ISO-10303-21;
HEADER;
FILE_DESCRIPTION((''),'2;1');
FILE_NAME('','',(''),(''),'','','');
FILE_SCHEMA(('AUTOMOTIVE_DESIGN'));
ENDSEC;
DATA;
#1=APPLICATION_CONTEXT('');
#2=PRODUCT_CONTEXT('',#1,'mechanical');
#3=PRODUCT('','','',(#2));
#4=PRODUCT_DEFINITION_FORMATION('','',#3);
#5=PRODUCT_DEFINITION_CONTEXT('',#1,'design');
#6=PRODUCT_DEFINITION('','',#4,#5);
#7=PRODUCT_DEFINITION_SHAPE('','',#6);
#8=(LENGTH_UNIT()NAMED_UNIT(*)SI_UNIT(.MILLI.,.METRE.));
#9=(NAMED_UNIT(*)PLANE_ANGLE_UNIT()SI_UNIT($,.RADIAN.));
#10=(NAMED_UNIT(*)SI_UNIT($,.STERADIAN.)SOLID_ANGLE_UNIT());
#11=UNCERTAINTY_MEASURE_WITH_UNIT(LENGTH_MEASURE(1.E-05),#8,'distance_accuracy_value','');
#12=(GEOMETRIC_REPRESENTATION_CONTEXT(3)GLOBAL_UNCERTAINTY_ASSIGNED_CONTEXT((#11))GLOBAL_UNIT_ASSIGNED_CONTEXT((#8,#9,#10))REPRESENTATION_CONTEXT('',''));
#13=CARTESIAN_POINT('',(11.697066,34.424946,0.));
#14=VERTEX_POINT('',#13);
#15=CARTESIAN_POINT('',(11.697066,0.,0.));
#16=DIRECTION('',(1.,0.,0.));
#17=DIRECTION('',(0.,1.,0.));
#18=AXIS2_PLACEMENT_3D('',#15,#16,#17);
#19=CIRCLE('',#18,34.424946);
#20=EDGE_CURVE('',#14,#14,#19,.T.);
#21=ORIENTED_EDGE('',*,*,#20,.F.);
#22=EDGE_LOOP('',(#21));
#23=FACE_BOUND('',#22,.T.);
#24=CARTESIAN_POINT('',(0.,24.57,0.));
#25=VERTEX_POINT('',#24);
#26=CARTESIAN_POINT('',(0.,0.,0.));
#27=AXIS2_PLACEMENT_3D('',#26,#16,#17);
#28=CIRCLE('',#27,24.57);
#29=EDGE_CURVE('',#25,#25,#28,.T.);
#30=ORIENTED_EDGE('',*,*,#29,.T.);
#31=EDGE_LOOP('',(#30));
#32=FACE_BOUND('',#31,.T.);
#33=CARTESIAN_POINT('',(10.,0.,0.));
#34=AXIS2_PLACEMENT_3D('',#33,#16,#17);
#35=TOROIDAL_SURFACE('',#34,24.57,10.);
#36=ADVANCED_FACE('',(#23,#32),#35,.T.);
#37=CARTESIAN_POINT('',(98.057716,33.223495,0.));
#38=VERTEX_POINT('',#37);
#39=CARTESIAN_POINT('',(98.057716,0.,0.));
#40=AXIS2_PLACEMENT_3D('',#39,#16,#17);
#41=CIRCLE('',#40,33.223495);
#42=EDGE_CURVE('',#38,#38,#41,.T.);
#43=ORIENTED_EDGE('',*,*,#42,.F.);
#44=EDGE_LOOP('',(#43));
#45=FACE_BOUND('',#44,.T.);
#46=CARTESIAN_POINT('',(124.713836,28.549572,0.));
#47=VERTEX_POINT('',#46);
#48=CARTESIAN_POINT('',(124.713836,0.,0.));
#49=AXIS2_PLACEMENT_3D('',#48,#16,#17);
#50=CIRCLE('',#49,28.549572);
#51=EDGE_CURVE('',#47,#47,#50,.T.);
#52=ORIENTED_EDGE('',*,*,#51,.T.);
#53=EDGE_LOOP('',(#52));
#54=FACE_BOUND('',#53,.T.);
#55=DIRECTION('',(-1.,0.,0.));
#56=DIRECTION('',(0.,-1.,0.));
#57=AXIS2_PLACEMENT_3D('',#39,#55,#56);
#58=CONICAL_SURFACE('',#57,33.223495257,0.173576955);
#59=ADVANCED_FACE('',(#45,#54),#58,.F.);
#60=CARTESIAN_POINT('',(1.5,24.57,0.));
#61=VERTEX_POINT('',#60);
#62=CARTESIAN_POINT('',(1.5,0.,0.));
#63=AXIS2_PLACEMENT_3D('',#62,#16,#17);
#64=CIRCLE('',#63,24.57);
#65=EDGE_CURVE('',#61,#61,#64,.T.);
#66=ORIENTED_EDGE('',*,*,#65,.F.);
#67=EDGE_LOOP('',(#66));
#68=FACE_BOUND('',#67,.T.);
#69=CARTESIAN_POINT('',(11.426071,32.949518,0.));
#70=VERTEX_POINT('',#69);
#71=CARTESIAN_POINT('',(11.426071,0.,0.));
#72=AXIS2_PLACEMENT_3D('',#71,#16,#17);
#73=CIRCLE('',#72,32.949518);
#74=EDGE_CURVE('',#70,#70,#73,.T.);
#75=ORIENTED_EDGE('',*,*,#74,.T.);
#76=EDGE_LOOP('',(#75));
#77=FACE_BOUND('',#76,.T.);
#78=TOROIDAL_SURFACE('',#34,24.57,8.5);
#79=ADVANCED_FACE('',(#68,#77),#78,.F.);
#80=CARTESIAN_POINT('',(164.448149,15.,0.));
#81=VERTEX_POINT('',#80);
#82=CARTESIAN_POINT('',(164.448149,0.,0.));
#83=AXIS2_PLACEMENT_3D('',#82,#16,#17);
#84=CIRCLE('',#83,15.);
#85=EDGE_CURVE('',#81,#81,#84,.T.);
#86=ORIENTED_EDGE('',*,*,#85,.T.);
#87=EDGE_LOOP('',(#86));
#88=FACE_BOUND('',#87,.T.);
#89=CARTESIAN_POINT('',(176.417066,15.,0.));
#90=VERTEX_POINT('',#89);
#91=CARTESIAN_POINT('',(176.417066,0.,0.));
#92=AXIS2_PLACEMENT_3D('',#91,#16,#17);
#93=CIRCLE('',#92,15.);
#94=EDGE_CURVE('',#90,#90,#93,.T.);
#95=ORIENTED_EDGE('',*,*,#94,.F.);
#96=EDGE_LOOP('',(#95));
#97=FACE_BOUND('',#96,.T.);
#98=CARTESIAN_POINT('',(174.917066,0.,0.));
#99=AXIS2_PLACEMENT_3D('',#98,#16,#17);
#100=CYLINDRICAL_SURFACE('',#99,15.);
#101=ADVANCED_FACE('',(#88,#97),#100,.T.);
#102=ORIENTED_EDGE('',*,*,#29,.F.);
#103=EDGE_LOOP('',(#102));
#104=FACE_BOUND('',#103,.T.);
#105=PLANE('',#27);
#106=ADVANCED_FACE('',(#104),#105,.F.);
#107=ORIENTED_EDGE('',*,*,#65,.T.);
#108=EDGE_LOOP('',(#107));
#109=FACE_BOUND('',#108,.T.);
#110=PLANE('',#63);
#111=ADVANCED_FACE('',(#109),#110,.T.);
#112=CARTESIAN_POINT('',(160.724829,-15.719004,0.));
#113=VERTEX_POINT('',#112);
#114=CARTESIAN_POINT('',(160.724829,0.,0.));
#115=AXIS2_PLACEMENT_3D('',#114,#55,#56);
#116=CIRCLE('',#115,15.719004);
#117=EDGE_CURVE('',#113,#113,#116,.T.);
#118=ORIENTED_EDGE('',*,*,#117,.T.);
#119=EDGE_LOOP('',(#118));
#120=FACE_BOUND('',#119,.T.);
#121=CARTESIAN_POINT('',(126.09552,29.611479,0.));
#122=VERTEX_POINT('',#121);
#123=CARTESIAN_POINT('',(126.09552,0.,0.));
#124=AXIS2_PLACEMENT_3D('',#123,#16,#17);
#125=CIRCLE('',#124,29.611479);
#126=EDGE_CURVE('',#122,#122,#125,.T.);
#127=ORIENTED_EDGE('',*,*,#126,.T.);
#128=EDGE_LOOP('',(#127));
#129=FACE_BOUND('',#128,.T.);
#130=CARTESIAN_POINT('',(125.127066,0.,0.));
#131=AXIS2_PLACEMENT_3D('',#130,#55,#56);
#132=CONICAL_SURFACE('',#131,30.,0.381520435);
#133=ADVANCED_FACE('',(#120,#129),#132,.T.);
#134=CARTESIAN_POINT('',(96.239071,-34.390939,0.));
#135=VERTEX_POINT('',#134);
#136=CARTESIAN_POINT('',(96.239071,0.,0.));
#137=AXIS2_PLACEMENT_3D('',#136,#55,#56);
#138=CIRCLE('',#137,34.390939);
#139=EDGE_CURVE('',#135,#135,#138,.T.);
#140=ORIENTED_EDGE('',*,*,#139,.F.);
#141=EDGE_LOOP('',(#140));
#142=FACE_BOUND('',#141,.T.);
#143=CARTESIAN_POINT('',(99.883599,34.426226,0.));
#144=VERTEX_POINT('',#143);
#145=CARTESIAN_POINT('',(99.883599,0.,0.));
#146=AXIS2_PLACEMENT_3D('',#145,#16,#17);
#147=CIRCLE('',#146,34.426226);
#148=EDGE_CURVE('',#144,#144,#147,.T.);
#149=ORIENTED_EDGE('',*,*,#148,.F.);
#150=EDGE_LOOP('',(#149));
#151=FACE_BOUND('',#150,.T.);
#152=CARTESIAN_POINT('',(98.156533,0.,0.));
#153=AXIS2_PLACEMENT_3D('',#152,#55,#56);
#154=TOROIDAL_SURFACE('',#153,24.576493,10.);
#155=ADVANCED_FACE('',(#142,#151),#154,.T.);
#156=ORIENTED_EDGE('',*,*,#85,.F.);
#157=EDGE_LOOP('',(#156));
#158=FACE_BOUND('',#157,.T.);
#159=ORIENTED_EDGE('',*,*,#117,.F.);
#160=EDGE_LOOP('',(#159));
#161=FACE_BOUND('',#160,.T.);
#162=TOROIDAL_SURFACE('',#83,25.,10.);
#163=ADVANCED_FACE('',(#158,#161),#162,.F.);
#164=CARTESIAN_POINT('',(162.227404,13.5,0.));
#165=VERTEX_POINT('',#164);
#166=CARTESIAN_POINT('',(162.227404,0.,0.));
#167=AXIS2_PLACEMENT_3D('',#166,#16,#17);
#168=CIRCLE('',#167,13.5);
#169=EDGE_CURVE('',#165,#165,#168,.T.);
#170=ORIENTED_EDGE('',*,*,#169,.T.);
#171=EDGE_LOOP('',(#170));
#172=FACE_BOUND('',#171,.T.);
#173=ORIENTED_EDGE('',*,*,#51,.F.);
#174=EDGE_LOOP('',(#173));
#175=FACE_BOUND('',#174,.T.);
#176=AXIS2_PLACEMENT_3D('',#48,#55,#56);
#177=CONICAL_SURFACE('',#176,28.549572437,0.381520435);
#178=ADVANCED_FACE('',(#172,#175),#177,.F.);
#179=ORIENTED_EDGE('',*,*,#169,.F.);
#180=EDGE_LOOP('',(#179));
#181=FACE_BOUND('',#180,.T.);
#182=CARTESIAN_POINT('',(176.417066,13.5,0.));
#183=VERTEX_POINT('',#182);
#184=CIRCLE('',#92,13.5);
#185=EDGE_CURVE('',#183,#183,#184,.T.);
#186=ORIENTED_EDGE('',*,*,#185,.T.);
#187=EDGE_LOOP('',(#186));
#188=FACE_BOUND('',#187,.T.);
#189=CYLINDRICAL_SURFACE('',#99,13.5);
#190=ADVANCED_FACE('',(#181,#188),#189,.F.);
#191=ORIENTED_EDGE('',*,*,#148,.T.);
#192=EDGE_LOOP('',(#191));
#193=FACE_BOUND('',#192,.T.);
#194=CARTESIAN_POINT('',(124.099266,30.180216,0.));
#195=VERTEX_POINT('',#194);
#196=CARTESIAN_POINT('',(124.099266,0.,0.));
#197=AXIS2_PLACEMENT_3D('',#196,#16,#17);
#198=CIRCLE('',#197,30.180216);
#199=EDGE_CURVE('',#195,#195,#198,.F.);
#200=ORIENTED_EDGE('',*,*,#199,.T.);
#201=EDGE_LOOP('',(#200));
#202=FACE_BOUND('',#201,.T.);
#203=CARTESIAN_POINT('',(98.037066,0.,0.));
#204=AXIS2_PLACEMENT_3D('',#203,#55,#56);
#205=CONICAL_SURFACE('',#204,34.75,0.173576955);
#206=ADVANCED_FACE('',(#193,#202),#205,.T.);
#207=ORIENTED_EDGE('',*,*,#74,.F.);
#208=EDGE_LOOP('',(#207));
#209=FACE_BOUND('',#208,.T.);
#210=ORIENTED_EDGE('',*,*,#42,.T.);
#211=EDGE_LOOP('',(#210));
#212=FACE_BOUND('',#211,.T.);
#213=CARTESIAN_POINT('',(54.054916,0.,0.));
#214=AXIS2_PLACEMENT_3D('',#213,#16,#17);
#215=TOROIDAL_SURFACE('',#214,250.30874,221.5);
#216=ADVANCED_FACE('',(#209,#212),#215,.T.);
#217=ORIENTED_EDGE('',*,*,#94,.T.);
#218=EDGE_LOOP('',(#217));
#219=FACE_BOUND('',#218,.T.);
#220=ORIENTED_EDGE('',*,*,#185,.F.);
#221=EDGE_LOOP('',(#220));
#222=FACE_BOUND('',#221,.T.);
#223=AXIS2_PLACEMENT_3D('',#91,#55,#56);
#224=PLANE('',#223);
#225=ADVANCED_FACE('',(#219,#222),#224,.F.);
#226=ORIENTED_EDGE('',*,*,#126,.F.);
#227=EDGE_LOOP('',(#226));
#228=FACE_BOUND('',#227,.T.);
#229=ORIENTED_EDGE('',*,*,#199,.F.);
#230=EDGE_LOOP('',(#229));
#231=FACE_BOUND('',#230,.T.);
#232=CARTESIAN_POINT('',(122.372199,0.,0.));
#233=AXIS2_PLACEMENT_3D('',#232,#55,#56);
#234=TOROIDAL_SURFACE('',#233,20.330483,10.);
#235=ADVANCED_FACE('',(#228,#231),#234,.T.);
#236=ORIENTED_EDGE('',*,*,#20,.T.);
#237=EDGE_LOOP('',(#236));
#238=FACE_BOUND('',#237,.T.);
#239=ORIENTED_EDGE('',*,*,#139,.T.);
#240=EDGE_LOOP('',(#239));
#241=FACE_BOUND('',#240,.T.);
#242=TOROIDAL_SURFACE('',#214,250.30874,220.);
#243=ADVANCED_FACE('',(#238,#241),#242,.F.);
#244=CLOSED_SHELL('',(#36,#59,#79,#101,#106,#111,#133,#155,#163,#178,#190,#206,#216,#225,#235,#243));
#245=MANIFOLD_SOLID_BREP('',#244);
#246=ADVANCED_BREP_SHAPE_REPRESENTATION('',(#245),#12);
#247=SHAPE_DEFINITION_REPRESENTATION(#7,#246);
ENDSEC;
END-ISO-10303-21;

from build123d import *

# Parameters (mm, degrees)
FILLET1_R = 10


with BuildPart() as part:
    # Sketch1 → Revolve1 (revolve)
    with BuildSketch(Plane.XY):
        with BuildLine():
            ThreePointArc((1.5, 24.57), (4.516916983, 31.065059709), (11.426070736, 32.949518021))
            ThreePointArc((11.426070736, 32.949518021), (54.755418646, 28.809847984), (98.05771623, 33.223495257))
            Line((98.05771623, 33.223495257), (124.713836064, 28.549572437))
            Line((124.713836064, 28.549572437), (162.227403624, 13.5))
            Line((162.227403624, 13.5), (174.917066057, 13.5))
            Line((174.917066057, 13.5), (176.417066057, 13.5))
            Line((176.417066057, 13.5), (176.417066057, 15))
            Line((176.417066057, 15), (162.517066057, 15))
            Line((162.517066057, 15), (125.127066057, 30))
            Line((125.127066057, 30), (98.037066057, 34.75))
            ThreePointArc((98.037066057, 34.75), (54.883168803, 30.3102994), (11.697066057, 34.424946311))
            ThreePointArc((11.697066057, 34.424946311), (3.556812147, 32.217570221), (0, 24.57))
            Line((0, 24.57), (0, 0))
            Line((0, 0), (1.5, 0))
            Line((1.5, 0), (1.5, 24.57))
        make_face()
    revolve(axis=Axis((174.917066057, 0, 0), (-1, 0, 0)))

    # Fillet1
    fillet1_edges = [part.edges().sort_by_distance(p)[0] for p in [
        (98.037066057, -34.75, 0),
        (125.127066057, -30, 0),
        (162.517066057, -15, 0),
    ]]
    fillet(fillet1_edges, radius=FILLET1_R)


solid = part.part
